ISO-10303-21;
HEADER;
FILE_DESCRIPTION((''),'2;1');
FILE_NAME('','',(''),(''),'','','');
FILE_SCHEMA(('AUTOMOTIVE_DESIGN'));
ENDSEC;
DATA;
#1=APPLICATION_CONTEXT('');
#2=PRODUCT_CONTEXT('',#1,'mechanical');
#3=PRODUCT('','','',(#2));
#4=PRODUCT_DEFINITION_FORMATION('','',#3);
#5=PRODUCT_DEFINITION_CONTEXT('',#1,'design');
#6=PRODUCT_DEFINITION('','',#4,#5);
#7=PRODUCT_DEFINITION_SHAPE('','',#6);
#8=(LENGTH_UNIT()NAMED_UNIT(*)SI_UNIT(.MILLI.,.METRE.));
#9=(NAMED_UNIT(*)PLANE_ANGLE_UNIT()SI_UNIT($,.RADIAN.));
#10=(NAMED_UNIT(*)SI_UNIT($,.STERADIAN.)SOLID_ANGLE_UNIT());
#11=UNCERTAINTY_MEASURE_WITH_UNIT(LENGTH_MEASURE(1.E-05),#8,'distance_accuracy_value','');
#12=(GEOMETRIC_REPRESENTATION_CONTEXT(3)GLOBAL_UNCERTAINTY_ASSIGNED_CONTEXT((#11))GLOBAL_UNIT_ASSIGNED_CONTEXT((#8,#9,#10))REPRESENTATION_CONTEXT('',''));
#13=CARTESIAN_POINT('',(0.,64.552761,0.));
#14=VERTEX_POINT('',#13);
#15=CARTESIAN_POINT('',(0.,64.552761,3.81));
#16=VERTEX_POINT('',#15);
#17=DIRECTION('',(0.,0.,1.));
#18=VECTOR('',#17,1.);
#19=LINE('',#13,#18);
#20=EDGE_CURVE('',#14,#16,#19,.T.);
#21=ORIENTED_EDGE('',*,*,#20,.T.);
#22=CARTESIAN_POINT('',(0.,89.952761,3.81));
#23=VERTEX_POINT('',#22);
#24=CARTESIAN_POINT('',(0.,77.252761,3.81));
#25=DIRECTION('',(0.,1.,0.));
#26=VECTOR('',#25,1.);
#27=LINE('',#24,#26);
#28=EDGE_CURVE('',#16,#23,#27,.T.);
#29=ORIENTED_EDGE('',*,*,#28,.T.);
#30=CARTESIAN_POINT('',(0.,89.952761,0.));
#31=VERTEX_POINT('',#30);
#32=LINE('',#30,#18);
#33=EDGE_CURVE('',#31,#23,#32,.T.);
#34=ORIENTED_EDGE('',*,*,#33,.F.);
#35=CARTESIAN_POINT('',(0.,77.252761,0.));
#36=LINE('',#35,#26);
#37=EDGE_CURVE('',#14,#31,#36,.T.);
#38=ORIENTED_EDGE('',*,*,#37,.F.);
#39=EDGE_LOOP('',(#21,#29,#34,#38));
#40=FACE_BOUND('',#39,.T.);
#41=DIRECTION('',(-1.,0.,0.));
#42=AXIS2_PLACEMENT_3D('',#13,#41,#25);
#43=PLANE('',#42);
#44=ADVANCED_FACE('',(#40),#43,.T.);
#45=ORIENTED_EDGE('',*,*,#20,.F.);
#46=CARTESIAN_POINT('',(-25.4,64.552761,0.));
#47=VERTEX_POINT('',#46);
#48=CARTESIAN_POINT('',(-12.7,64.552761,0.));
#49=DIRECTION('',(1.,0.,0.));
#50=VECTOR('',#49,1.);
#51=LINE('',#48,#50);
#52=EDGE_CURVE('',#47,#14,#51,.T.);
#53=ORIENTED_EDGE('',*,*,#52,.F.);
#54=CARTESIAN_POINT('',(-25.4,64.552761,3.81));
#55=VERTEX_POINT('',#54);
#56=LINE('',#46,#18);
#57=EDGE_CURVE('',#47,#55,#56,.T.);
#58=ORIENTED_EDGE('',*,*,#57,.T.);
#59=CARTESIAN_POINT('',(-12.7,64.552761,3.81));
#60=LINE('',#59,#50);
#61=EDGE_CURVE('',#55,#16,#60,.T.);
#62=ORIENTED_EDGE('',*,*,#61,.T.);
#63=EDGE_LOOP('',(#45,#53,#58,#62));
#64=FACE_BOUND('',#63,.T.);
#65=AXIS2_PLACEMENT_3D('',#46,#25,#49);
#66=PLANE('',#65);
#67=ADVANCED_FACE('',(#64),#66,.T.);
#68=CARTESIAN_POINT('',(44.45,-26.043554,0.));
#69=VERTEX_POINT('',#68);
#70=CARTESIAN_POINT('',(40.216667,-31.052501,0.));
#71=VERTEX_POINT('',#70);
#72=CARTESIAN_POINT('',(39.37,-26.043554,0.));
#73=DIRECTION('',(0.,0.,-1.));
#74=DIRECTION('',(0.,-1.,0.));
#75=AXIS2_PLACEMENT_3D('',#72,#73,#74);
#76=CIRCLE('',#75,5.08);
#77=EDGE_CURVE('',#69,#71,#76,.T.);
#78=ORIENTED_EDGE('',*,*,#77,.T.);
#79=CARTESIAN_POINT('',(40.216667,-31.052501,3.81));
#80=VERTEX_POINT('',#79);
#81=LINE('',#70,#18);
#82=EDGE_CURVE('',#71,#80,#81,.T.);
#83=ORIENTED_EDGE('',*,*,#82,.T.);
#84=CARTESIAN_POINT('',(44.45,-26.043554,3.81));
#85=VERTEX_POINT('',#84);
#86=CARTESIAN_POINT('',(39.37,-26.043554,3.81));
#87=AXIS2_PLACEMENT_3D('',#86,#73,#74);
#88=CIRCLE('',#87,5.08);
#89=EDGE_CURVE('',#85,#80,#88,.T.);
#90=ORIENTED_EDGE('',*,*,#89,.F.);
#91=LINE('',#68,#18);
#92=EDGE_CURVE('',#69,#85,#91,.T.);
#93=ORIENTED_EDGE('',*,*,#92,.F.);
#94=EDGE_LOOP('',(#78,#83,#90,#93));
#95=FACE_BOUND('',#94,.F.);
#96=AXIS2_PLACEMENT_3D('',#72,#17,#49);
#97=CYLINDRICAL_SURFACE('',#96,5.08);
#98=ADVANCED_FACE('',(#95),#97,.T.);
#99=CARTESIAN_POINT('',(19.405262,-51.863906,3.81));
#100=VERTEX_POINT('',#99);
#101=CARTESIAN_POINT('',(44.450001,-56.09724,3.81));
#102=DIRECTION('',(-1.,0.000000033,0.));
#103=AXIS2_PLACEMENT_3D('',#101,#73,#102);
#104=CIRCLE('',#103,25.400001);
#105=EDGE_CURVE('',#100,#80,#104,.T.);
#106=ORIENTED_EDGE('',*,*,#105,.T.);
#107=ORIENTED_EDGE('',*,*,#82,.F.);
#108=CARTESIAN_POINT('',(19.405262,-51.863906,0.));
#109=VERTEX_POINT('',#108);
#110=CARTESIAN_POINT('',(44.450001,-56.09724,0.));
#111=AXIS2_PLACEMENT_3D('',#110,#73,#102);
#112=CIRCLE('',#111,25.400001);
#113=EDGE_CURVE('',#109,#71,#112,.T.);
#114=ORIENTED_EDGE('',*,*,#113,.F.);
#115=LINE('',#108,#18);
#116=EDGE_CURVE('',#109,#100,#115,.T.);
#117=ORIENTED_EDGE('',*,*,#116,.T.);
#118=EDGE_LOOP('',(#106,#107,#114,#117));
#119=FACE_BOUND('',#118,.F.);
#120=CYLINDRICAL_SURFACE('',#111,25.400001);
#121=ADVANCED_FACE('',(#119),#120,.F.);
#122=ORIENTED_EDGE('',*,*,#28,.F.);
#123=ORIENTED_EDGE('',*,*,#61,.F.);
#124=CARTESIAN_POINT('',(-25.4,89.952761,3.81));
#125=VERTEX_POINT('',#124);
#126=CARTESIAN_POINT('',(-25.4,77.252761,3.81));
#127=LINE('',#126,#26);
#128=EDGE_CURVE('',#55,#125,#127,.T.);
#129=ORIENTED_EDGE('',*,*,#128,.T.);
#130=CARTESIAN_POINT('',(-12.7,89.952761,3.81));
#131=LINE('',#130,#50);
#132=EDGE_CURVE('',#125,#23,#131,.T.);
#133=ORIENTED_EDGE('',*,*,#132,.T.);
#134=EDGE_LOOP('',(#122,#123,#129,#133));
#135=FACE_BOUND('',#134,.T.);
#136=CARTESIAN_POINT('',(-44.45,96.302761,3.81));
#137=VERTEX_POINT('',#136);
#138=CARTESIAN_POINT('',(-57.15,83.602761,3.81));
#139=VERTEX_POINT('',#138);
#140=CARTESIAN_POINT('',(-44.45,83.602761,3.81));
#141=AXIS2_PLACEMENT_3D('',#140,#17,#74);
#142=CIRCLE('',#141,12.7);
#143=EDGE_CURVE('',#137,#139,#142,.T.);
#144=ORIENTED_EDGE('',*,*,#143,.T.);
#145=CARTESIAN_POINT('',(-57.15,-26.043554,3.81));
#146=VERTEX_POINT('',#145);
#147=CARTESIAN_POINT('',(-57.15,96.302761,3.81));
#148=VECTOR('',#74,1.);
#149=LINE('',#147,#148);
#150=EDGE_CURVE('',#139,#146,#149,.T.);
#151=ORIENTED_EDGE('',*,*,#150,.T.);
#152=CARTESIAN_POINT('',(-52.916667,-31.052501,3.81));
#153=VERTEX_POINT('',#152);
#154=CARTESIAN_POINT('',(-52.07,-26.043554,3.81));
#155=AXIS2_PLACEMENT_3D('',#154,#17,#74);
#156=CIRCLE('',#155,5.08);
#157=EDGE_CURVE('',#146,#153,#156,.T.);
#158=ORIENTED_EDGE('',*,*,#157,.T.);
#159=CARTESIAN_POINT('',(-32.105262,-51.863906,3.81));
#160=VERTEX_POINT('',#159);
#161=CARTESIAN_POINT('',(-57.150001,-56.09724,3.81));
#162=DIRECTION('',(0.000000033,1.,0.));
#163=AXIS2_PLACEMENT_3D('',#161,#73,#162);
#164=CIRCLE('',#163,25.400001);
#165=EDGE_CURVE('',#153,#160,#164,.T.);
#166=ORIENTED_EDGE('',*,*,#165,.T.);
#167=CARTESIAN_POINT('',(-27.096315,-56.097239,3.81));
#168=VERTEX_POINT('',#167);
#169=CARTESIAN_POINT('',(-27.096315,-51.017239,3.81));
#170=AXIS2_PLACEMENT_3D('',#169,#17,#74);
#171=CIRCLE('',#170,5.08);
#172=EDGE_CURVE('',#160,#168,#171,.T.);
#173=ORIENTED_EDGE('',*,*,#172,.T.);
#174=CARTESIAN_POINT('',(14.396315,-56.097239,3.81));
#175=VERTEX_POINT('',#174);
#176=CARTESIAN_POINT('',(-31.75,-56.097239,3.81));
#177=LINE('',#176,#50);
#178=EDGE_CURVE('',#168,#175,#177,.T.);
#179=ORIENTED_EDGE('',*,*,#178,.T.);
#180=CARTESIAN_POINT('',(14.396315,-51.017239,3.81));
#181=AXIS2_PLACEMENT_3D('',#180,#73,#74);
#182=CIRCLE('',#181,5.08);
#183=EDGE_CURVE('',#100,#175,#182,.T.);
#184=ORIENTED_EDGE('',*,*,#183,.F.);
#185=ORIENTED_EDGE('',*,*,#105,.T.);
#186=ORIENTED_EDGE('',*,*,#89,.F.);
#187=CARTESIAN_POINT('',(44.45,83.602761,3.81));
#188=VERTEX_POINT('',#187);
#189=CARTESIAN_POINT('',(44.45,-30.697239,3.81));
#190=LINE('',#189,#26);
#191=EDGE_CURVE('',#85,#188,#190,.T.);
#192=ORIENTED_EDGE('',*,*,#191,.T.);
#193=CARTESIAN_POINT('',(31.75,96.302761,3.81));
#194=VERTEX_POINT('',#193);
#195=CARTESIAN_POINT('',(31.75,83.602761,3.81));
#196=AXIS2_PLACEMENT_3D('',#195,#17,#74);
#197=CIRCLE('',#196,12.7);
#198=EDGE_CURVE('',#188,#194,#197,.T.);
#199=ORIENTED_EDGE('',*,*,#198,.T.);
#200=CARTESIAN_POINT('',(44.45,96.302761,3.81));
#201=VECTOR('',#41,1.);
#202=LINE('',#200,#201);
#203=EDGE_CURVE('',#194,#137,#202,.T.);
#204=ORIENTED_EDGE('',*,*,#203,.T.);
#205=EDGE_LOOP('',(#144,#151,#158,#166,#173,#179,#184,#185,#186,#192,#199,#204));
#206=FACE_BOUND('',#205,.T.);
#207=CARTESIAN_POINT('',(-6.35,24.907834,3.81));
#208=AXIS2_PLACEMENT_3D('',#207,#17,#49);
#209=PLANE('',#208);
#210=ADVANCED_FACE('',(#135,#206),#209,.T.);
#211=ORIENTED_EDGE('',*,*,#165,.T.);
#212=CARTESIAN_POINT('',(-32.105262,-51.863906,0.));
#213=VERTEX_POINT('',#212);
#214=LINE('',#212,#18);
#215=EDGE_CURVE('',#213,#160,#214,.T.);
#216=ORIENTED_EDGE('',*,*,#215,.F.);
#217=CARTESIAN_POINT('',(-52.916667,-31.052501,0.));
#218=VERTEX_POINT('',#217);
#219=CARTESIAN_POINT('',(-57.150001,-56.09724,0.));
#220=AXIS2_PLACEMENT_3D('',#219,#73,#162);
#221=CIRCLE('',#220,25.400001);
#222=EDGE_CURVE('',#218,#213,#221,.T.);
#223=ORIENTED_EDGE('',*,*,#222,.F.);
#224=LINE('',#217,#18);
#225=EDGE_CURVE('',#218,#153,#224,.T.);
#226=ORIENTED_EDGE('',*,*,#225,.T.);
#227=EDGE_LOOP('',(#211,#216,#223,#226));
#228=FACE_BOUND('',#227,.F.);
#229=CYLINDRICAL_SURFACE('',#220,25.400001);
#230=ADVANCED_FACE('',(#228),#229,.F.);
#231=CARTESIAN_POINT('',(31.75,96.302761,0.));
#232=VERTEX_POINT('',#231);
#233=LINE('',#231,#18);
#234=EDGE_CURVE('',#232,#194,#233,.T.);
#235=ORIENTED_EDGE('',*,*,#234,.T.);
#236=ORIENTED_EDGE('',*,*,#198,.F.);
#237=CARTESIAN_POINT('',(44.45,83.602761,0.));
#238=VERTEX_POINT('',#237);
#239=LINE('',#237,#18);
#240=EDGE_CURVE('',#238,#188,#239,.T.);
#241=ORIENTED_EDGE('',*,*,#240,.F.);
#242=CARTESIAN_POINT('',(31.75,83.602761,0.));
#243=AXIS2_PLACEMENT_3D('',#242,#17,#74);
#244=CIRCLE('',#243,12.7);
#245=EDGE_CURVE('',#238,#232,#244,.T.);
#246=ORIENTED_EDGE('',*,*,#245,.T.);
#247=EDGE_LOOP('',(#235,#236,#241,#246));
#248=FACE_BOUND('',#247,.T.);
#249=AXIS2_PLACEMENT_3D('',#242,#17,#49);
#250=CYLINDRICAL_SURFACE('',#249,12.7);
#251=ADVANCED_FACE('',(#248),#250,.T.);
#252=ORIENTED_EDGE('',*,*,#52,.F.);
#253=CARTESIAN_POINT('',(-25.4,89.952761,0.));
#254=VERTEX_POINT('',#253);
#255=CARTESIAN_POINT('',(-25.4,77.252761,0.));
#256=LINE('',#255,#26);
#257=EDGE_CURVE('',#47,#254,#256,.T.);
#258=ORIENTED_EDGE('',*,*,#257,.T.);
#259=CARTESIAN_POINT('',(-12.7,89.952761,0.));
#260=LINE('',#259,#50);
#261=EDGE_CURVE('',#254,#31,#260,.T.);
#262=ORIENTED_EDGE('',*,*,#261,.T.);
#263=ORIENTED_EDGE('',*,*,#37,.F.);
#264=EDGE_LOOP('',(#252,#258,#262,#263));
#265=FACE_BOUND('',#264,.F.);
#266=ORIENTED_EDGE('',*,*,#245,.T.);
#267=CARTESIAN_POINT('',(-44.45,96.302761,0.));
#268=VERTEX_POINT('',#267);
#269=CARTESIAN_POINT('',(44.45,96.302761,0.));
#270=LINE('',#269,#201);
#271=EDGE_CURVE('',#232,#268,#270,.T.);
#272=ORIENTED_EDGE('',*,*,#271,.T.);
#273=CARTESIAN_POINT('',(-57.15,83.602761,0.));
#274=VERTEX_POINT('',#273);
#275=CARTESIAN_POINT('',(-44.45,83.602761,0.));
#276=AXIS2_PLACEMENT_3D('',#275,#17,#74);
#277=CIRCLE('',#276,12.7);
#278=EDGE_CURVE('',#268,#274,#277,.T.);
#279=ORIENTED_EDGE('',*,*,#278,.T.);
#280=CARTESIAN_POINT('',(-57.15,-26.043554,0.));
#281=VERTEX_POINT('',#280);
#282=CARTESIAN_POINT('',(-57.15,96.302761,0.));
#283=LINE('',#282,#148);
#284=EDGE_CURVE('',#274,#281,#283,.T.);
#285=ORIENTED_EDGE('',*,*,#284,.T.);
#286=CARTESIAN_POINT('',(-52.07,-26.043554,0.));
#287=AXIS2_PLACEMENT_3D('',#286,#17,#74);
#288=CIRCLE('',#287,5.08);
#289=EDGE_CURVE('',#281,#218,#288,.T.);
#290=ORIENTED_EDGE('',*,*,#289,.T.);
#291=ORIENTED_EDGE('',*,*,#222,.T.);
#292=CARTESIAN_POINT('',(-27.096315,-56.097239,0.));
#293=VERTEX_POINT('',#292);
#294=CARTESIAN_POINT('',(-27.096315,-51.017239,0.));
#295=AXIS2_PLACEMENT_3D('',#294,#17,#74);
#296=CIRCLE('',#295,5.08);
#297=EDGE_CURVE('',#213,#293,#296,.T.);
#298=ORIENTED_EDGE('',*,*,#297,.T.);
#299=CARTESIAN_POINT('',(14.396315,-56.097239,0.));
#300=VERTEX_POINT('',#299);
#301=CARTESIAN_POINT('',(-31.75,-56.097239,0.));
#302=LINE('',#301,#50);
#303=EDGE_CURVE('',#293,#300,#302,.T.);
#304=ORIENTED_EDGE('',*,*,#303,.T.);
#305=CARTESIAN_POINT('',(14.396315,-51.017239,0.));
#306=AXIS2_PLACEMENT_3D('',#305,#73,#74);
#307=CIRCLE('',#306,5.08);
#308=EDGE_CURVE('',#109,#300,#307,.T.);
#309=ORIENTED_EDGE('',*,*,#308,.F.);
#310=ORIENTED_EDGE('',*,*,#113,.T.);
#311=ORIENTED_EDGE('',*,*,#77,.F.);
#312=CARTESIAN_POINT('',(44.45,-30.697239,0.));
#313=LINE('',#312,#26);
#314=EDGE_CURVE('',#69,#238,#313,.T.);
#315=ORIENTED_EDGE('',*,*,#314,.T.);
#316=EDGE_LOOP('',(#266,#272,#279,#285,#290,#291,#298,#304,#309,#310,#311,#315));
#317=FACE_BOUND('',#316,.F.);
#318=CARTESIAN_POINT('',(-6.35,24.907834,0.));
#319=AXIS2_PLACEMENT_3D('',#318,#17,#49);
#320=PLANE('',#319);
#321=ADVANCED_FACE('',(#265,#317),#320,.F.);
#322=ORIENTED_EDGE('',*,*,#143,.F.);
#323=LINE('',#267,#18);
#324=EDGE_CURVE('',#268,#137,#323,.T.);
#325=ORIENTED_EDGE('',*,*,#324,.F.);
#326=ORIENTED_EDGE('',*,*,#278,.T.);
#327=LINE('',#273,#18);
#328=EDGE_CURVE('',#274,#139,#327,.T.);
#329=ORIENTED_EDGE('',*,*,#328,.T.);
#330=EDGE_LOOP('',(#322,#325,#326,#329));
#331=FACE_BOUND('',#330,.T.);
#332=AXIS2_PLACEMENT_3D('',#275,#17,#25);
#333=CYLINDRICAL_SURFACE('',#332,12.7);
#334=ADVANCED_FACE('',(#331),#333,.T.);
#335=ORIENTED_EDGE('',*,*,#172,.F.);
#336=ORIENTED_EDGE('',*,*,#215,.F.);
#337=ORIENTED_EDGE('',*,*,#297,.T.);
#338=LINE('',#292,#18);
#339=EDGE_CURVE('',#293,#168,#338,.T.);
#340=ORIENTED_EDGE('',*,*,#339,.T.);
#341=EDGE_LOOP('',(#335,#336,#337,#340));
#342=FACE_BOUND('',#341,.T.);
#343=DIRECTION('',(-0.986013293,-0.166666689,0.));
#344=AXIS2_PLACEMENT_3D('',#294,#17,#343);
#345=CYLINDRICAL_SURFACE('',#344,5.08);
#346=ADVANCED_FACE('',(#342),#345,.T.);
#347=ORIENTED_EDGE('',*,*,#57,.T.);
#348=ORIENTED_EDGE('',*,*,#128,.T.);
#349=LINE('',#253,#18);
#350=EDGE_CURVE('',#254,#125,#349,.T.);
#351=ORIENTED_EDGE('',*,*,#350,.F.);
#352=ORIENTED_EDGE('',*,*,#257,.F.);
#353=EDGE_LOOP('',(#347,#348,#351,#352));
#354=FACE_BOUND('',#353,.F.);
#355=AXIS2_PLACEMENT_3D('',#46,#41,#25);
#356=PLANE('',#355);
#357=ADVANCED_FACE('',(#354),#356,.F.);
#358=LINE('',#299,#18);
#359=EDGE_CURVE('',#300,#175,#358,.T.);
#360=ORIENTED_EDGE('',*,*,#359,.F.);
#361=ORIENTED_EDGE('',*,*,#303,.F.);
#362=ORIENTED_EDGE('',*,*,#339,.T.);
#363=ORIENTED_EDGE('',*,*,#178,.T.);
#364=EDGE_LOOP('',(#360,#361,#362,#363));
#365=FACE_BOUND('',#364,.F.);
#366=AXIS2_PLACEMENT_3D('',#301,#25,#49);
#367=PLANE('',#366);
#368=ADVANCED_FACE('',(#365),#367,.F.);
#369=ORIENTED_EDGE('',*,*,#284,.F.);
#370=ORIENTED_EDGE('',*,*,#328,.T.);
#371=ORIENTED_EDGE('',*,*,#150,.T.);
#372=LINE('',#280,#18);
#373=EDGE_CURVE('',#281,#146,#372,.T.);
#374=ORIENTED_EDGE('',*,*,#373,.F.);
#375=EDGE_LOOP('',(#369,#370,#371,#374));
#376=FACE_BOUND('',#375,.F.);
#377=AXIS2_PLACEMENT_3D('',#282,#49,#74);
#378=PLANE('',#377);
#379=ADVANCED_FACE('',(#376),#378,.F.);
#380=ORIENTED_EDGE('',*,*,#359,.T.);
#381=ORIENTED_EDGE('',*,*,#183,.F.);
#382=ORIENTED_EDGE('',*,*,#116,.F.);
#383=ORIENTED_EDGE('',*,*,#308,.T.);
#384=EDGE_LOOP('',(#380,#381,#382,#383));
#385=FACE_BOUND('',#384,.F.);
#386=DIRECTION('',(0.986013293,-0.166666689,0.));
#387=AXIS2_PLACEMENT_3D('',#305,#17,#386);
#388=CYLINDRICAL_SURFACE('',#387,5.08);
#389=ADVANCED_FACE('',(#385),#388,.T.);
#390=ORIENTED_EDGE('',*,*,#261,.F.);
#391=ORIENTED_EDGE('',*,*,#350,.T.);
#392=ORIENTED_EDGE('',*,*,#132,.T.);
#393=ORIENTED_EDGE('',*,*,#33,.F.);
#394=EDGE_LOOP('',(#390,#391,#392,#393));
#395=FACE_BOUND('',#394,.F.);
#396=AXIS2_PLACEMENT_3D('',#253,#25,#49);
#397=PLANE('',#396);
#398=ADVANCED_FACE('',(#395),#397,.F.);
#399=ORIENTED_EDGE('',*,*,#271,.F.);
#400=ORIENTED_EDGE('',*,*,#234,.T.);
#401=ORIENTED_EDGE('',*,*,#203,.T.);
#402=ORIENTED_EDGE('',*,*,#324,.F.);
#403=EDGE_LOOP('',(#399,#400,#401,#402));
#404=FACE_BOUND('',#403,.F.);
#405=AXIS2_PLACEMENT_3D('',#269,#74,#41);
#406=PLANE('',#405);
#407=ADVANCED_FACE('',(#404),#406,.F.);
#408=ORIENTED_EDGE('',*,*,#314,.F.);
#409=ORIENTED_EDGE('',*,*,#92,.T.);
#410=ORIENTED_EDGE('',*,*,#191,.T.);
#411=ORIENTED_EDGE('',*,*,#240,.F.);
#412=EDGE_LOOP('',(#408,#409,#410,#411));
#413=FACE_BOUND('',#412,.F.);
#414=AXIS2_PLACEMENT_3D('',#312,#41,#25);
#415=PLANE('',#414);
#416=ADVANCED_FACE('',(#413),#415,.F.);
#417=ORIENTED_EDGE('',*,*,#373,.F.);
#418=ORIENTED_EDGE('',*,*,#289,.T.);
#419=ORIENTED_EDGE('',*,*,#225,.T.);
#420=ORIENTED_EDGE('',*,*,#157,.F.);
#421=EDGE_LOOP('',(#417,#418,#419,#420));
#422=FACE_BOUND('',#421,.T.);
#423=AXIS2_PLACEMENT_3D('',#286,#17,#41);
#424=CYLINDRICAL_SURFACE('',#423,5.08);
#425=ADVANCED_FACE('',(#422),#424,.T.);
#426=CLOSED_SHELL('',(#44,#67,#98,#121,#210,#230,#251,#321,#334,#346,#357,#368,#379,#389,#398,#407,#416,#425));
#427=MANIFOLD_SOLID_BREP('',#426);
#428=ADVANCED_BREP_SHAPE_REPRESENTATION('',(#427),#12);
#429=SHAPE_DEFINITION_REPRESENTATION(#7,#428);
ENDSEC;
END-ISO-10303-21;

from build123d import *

# Parameters (mm, degrees)
F0_W     = 25.4
F0_H     = 25.4
F1_DEPTH = 3.81
F2_R     = 5.08
F3_R     = 5.08
F4_R     = 12.7


with BuildPart() as f1:
    # F0 (on Top) → F1 (new body)
    with BuildSketch(Plane.XY):
        with BuildLine():
            Line((-12.7, 96.302761), (-57.15, 96.302761))
            Line((-57.15, 96.302761), (-57.15, 89.952761))
            Line((-57.15, 89.952761), (-57.15, 83.602761))
            Line((-57.15, 83.602761), (-57.15, 70.902761))
            Line((-57.15, 70.902761), (-57.15, -30.697239))
            ThreePointArc((-57.15, -30.697239), (-39.189488, -38.136727), (-31.75, -56.097239))
            Line((-31.75, -56.097239), (19.05, -56.097239))
            ThreePointArc((19.05, -56.097239), (26.489488, -38.136727), (44.45, -30.697239))
            Line((44.45, -30.697239), (44.45, 96.302761))
            Line((44.45, 96.302761), (0, 96.302761))
            Line((0, 96.302761), (-12.7, 96.302761))
        make_face()
        with Locations((-12.7, 77.252761)):
            Rectangle(F0_W, F0_H, mode=Mode.SUBTRACT)
    extrude(amount=F1_DEPTH)

    # F2
    f2_edges = [f1.edges().sort_by_distance(p)[0] for p in [
        (-57.15, -30.697239, 1.905),
        (-31.75, -56.097239, 1.905),
    ]]
    fillet(f2_edges, radius=F2_R)

    # F3
    f3_edges = [f1.edges().sort_by_distance(p)[0] for p in [
        (44.45, -30.697239, 1.905),
        (19.05, -56.097239, 1.905),
    ]]
    fillet(f3_edges, radius=F3_R)

    # F4
    f4_edges = [f1.edges().sort_by_distance(p)[0] for p in [
        (-57.15, 96.302761, 1.905),
        (44.45, 96.302761, 1.905),
    ]]
    fillet(f4_edges, radius=F4_R)


solid = f1.part
